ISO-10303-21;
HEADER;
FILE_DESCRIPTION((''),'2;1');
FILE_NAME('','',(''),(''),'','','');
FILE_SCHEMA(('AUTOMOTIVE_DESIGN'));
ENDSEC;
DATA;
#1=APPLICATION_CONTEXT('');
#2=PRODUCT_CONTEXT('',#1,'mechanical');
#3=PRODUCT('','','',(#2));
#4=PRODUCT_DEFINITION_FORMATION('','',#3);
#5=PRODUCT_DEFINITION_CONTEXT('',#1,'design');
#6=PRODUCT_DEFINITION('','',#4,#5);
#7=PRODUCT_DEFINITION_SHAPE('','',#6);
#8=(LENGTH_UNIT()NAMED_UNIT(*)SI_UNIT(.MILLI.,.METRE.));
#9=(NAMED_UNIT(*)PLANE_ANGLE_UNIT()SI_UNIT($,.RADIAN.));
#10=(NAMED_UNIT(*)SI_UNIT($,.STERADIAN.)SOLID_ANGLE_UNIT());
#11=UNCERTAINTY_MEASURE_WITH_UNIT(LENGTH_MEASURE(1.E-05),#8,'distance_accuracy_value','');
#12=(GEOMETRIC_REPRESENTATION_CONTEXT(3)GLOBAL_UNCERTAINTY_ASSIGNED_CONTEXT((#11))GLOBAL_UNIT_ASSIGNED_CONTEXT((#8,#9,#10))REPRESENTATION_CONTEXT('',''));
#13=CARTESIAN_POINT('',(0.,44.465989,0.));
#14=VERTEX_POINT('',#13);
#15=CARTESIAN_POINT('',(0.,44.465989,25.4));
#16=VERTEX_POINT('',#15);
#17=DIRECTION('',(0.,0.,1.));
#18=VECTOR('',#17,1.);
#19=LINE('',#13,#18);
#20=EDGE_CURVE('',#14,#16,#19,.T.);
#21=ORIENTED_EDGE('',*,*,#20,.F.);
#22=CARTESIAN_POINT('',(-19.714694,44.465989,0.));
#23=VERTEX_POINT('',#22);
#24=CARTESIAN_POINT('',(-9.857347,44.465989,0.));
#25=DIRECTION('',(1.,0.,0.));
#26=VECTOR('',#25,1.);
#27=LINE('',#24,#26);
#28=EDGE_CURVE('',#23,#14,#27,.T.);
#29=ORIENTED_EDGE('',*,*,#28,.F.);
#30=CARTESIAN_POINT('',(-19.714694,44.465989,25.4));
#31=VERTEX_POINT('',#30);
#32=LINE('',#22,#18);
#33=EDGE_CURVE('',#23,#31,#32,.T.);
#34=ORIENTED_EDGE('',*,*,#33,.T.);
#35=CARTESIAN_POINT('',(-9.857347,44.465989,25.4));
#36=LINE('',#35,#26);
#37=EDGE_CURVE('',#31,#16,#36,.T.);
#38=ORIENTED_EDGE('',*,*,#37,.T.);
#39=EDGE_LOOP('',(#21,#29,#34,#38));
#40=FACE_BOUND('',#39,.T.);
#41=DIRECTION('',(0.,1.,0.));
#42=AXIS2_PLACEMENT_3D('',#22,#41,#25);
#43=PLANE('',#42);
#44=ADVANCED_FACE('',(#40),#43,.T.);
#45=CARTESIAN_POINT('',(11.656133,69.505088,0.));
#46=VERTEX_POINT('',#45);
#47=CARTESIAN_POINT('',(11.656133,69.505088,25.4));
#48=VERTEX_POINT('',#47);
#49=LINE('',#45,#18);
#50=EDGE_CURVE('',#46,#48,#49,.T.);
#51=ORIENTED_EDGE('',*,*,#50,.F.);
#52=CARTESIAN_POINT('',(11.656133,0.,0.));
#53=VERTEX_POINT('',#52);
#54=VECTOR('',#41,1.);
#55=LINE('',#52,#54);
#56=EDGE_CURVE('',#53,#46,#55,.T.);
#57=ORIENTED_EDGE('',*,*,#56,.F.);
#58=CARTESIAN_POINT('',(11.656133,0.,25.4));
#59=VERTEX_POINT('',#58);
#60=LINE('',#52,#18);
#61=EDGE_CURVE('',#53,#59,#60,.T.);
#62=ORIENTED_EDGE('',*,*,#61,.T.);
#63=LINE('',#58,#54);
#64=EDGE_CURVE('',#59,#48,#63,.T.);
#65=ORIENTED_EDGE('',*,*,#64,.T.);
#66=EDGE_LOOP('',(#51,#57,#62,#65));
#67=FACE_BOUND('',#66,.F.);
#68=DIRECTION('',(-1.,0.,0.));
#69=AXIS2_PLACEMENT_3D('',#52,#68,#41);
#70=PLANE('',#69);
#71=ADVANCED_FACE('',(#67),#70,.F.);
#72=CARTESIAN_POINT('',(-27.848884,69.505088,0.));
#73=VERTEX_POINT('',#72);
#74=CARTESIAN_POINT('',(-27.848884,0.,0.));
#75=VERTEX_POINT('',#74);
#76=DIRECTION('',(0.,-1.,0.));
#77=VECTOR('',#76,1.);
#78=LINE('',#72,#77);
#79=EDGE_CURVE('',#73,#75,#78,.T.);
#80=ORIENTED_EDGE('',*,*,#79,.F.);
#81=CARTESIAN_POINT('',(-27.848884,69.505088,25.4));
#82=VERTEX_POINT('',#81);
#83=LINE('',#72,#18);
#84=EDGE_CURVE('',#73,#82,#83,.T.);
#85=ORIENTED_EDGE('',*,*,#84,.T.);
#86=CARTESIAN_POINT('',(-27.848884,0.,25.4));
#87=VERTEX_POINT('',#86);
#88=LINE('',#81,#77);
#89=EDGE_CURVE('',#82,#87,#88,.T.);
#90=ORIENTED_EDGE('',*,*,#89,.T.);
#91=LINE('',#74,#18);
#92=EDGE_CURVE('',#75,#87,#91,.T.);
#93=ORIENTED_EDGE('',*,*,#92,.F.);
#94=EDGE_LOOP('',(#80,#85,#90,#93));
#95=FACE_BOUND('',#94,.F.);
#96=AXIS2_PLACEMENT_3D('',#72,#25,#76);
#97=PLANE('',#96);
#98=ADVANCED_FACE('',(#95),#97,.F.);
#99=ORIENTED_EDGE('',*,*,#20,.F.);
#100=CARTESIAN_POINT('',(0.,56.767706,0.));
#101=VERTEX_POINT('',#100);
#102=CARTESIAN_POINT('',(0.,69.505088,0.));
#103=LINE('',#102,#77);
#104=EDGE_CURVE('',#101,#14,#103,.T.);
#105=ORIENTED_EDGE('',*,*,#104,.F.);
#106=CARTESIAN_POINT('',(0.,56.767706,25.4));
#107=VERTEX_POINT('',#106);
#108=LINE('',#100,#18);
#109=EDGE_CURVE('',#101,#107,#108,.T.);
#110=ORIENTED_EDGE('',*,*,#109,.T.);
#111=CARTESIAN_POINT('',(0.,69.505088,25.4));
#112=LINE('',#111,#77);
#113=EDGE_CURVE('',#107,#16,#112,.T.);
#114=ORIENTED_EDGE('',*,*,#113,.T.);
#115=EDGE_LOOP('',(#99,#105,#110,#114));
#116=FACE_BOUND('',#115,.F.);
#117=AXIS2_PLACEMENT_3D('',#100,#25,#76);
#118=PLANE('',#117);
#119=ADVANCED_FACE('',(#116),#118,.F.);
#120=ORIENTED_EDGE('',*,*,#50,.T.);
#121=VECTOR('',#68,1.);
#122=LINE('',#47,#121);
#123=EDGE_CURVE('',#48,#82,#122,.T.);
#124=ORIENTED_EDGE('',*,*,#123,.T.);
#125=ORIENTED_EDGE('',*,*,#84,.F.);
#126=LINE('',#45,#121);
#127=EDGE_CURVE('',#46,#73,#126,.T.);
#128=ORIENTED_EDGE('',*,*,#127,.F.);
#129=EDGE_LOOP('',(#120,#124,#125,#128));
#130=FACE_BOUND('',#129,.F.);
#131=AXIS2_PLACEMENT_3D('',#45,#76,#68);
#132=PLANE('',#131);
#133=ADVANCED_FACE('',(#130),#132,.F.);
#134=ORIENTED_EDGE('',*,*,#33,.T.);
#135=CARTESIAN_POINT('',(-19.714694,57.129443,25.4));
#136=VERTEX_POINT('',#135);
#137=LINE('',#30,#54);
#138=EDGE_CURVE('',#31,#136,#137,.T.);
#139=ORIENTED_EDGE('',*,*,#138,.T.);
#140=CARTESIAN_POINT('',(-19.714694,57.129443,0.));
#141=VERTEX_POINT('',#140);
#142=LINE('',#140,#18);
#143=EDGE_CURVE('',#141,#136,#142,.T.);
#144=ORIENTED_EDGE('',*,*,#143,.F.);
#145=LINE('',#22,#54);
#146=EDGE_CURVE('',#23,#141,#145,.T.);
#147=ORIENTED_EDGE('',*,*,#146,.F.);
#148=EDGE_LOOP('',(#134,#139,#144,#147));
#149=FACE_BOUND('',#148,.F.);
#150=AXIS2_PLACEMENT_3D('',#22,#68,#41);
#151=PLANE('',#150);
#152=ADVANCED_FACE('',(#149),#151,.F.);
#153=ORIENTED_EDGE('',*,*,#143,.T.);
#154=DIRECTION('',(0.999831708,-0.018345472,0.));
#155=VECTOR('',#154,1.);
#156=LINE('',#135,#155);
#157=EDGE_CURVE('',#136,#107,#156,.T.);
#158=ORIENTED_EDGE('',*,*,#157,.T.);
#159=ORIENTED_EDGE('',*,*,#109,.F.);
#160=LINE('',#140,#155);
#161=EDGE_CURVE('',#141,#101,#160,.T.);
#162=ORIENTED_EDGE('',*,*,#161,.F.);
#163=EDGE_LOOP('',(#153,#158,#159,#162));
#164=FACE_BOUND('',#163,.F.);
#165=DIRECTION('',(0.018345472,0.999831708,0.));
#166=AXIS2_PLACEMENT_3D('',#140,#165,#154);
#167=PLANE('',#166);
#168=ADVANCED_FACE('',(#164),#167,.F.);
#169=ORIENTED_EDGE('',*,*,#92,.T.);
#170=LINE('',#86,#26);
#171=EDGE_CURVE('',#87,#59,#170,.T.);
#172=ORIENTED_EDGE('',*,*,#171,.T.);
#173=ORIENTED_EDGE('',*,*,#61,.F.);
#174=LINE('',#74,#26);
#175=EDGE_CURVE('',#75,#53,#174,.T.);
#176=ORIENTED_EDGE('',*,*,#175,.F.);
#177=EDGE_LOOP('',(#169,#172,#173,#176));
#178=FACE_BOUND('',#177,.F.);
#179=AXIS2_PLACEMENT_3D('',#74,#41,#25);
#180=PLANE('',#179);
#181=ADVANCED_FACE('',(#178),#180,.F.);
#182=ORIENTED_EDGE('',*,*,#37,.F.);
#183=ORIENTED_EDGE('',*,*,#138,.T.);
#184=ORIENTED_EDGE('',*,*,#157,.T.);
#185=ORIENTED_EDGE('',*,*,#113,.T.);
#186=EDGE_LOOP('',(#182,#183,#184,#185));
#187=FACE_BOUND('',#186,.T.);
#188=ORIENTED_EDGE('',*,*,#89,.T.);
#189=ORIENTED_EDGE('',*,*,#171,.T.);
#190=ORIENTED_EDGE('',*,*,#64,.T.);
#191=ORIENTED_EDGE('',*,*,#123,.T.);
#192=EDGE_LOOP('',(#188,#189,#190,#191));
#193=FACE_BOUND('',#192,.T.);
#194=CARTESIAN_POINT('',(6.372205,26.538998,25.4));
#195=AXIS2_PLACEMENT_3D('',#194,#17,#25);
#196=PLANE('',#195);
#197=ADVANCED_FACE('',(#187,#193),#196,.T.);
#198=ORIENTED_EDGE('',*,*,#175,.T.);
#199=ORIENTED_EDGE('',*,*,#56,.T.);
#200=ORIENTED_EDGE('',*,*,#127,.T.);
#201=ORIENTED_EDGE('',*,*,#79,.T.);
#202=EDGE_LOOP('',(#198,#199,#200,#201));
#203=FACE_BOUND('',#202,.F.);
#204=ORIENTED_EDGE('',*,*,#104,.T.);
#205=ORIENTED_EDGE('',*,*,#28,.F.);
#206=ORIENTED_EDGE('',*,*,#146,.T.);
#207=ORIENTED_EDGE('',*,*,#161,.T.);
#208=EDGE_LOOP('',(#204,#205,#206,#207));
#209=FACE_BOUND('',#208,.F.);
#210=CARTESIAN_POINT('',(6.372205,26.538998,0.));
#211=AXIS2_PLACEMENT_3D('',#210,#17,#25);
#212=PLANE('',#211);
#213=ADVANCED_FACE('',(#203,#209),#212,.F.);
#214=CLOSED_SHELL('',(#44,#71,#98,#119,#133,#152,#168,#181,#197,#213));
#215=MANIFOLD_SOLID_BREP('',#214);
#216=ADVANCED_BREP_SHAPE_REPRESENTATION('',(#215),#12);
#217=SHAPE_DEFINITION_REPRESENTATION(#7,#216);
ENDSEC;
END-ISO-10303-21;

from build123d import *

# Parameters (mm, degrees)
F0_W     = 19.7146944702
F0_H     = 44.4659888744
F0_W_2   = 8.1341895928
F1_DEPTH = 25.4


with BuildPart() as f1:
    # F0 (on Top) → F1 (new body)
    with BuildSketch(Plane.XY):
        Polygon((11.6561325267, 0), (11.6561325267, 56.5538331866), (0, 44.4659888744), (0, 0), align=None)
        Polygon((0, 44.4659888744), (11.6561325267, 56.5538331866), (0, 56.7677064351), align=None)
        Polygon((0, 56.7677064351), (11.6561325267, 56.5538331866), (11.6561325267, 69.5050880313), (0, 69.5050880313), align=None)
        with Locations((-9.8573472351, 22.2329944372)):
            Rectangle(F0_W, F0_H)
        Polygon((-19.7146944702, 57.1294426918), (0, 56.7677064351), (0, 69.5050880313), (-27.848884063, 69.5050880313), (-27.848884063, 44.4659888744), align=None)
        Polygon((-19.7146944702, 44.4659888744), (-19.7146944702, 57.1294426918), (-27.848884063, 44.4659888744), align=None)
        with Locations((-23.7817892666, 22.2329944372)):
            Rectangle(F0_W_2, F0_H)
    extrude(amount=F1_DEPTH)


solid = f1.part
